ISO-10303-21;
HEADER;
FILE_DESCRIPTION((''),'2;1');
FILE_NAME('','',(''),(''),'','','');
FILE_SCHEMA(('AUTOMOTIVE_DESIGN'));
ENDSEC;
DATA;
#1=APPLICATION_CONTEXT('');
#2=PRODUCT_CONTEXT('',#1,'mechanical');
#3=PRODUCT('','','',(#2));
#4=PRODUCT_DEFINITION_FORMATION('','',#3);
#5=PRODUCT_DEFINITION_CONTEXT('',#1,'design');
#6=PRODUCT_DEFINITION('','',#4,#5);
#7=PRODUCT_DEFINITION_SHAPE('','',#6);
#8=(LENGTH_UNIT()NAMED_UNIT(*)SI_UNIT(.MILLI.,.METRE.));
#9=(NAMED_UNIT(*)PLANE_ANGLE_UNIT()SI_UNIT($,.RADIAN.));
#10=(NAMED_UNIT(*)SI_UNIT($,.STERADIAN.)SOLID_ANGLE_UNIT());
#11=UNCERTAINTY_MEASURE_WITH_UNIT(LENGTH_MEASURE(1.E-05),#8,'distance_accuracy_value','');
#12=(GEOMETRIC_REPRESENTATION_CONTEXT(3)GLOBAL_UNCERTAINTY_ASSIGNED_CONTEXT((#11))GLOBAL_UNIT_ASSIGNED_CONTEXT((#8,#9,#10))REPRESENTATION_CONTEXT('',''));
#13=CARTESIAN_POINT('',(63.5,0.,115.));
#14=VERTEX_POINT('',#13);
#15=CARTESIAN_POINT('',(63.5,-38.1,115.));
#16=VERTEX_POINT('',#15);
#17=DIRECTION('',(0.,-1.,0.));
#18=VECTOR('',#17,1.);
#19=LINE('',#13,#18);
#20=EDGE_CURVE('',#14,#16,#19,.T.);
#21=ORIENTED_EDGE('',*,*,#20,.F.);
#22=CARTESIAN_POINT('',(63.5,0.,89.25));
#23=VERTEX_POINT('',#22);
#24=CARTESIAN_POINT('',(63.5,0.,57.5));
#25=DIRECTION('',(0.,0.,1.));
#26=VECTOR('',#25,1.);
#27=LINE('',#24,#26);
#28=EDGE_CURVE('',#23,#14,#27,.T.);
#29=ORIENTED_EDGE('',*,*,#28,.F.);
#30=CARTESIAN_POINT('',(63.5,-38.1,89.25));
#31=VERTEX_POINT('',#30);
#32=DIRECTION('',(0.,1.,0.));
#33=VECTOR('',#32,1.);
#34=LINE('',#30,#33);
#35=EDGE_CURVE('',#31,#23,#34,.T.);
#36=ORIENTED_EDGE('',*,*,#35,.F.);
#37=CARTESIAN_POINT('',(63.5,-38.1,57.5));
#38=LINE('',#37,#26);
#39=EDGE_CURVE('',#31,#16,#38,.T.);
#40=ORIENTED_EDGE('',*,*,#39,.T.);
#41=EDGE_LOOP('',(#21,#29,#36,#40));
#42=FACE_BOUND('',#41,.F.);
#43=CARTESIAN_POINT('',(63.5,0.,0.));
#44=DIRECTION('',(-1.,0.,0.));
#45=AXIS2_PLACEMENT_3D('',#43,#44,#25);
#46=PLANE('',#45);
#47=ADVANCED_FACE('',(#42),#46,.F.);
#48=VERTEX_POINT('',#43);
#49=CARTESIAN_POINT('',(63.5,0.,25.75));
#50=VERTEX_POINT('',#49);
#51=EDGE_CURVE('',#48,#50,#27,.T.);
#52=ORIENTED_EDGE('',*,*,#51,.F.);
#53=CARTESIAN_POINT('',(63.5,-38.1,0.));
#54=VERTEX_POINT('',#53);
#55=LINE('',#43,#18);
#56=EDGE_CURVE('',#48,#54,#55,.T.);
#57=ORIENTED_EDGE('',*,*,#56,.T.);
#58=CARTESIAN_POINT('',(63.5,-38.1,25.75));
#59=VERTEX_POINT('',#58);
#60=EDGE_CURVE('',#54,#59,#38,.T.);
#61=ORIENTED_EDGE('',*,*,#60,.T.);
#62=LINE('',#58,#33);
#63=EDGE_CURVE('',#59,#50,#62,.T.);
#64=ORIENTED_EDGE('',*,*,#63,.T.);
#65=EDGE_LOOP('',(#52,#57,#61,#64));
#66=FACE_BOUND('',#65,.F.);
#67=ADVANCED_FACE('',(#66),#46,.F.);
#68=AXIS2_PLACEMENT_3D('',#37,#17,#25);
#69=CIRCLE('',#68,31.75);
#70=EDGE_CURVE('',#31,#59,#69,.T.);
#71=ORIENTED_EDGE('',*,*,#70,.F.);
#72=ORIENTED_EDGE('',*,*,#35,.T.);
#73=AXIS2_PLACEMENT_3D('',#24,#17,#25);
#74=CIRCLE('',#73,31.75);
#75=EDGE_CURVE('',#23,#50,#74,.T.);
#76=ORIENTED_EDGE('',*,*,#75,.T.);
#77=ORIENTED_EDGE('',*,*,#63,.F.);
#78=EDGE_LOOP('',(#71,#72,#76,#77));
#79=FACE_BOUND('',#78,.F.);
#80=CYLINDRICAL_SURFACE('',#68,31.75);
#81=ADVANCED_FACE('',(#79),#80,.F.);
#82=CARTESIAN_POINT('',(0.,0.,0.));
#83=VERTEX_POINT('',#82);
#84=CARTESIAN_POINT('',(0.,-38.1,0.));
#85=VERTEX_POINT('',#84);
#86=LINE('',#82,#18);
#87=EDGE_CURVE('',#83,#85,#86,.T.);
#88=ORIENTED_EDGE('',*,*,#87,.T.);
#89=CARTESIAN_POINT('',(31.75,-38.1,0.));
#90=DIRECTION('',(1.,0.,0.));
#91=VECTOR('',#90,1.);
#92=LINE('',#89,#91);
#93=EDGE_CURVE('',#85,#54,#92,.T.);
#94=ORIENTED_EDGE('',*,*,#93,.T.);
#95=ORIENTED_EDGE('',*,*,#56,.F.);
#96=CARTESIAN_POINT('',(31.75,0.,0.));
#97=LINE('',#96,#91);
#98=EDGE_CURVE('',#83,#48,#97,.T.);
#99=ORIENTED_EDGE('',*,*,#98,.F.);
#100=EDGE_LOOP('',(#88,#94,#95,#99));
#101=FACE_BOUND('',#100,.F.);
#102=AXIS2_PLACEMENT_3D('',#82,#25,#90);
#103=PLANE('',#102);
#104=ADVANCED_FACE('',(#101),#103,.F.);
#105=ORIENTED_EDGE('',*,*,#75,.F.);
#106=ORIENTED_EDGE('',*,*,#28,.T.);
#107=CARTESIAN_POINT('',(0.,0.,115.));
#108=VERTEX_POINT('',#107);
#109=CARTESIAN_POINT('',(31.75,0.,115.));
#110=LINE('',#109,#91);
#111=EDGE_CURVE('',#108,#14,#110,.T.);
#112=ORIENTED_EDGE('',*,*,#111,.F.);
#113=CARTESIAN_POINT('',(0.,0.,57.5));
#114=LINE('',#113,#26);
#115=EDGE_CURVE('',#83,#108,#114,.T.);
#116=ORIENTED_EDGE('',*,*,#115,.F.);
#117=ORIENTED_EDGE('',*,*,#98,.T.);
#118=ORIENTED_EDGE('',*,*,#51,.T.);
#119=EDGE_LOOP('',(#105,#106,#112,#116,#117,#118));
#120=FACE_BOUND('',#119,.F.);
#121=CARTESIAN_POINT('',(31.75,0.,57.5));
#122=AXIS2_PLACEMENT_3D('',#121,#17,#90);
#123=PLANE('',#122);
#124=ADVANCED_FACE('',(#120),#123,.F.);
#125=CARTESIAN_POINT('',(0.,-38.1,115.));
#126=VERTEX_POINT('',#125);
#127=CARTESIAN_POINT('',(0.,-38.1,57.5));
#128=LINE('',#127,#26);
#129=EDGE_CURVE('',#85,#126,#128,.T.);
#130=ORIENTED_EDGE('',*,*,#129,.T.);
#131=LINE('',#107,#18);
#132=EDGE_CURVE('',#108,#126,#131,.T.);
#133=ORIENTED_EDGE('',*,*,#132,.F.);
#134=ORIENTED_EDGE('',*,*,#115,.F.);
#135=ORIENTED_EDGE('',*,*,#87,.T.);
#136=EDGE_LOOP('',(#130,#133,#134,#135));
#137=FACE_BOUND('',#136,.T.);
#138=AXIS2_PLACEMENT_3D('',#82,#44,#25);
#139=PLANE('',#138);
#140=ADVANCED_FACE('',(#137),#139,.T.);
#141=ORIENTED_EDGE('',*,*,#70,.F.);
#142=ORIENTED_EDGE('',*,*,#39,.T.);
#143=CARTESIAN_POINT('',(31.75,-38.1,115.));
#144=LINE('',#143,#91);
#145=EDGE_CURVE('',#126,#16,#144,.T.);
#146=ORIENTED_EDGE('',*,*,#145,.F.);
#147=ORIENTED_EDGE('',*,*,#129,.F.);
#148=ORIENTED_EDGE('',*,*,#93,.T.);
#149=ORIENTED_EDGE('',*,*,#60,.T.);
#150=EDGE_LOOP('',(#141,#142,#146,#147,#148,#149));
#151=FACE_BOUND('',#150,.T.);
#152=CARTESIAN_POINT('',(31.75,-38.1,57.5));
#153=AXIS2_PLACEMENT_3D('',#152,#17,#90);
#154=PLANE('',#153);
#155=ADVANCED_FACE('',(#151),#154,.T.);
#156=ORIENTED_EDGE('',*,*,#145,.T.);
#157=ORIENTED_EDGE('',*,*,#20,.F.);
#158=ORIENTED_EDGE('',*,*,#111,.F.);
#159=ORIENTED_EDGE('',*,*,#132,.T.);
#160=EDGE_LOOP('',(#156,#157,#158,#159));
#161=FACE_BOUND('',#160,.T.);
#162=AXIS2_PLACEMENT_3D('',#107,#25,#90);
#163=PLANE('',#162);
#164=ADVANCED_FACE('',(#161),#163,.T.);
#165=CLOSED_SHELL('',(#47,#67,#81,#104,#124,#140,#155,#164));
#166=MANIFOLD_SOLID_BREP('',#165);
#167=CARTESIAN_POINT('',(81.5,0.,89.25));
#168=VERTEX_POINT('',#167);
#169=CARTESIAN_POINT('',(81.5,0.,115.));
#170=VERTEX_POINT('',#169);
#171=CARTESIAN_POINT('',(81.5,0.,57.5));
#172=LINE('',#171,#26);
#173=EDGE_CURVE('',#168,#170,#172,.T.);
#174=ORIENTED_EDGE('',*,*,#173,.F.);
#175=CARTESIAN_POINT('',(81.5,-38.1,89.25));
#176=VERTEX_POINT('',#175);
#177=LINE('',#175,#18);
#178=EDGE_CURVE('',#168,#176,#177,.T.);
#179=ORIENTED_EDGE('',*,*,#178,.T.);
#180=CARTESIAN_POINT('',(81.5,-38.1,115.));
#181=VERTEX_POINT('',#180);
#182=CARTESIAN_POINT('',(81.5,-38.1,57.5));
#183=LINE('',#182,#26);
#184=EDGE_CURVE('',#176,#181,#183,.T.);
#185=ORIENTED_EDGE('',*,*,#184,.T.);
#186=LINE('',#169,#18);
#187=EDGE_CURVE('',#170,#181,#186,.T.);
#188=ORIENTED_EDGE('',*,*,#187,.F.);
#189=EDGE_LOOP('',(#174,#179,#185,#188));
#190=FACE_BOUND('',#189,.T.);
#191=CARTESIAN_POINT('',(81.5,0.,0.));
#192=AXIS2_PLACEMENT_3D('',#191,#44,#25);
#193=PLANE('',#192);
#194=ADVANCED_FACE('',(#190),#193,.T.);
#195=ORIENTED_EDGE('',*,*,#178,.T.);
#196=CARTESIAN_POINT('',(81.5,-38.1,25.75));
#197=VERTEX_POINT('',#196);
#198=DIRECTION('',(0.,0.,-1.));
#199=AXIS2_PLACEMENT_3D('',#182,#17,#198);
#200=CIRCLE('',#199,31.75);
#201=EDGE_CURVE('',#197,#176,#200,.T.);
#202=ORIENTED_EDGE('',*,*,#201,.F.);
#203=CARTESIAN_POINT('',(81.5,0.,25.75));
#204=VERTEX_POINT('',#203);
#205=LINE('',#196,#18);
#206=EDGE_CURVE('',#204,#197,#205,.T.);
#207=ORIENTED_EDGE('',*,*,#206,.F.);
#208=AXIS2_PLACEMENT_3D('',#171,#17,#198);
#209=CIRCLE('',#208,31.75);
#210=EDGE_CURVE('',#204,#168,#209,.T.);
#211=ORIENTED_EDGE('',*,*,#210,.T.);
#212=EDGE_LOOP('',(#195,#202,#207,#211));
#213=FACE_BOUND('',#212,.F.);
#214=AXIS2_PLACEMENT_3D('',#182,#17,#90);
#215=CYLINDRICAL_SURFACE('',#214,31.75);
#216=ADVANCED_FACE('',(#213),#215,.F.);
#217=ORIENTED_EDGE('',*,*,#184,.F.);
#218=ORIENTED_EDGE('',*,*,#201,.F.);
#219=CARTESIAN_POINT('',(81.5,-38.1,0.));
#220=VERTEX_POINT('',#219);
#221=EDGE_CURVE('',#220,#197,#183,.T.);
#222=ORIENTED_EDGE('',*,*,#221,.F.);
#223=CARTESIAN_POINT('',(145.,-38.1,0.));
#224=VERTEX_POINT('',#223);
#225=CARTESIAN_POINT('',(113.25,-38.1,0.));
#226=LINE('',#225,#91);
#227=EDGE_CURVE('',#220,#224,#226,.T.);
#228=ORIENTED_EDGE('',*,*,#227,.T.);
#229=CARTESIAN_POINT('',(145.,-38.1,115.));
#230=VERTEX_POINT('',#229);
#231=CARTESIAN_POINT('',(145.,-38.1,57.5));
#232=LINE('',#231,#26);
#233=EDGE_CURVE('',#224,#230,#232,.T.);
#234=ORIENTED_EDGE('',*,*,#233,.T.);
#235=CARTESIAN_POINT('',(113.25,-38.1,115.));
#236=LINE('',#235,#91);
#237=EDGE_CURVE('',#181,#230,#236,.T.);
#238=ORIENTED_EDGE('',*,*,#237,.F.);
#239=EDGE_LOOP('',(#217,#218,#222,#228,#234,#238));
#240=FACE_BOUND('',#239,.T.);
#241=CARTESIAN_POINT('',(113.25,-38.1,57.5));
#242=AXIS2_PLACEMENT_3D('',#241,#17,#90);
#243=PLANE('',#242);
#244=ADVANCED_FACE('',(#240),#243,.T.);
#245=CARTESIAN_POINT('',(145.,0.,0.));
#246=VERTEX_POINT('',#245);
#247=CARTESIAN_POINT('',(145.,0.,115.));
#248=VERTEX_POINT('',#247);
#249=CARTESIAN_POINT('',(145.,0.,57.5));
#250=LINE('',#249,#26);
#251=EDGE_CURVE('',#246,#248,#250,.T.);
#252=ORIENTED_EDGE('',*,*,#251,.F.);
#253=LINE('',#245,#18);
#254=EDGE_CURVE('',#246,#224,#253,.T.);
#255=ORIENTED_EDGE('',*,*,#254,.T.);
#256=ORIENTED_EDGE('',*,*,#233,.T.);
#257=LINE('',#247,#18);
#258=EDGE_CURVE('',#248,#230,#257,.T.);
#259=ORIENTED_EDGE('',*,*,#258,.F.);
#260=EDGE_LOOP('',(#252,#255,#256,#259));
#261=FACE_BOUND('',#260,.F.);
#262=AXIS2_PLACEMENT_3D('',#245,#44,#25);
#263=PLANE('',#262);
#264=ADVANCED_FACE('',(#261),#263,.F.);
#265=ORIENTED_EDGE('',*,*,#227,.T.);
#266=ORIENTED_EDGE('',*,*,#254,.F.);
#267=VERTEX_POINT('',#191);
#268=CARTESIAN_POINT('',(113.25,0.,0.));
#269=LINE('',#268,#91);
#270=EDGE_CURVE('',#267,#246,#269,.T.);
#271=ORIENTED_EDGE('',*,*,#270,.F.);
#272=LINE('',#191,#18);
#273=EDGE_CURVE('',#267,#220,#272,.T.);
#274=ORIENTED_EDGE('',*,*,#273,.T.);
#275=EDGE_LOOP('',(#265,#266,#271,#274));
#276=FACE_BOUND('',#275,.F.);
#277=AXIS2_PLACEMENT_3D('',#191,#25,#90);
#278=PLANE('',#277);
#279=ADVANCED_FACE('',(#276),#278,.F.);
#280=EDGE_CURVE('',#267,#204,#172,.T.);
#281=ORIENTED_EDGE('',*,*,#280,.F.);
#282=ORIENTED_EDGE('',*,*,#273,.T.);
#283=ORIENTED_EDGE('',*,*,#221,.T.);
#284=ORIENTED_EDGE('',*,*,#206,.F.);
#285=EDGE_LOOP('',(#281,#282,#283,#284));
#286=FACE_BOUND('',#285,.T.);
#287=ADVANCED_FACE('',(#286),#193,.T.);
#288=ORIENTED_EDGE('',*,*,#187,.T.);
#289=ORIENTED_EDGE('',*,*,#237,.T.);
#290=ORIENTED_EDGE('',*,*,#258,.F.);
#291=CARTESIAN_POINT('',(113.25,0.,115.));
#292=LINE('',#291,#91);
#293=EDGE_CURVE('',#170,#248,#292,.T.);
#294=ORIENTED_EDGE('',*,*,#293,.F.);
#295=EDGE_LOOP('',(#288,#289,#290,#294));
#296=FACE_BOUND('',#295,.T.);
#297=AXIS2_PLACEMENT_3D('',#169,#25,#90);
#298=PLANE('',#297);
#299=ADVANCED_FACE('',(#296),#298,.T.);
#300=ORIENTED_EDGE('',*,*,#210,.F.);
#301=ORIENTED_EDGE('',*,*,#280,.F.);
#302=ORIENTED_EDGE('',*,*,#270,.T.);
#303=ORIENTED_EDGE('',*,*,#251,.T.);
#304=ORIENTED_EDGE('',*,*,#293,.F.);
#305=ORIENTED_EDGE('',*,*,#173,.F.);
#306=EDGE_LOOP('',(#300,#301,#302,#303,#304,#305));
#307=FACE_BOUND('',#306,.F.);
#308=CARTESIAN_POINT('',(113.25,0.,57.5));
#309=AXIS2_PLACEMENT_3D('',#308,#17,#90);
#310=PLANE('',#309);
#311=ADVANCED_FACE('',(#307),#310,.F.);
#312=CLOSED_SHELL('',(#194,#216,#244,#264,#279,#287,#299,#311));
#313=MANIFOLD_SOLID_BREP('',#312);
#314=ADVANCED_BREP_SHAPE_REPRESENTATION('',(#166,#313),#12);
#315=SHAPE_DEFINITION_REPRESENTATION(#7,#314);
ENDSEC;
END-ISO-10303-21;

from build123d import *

# Parameters (mm, degrees)
F0_W     = 63.5
F0_H     = 115
F1_DEPTH = 38.1
F3_DEPTH = 76.2
F4_R     = 31.75
F5_DEPTH = 76.2


with BuildPart() as f1:
    # F0 (on Front) → F1 (new body)
    with BuildSketch(Plane.XZ):
        with Locations((31.75, 57.5)):
            Rectangle(F0_W, F0_H)
    extrude(amount=F1_DEPTH)

    # F2 (on face) → F3 (cut)
    with BuildSketch(Plane.XZ.offset(38.1)):
        with BuildLine():
            Line((63.5, 25.75), (63.5, 89.25))
            ThreePointArc((63.5, 89.25), (31.75, 57.5), (63.5, 25.75))
        make_face()
    extrude(amount=-F3_DEPTH, mode=Mode.SUBTRACT)


with BuildPart() as f1b:
    # F0 (on Front) → F1, piece 2 (new body)
    with BuildSketch(Plane.XZ):
        with Locations((113.25, 57.5)):
            Rectangle(F0_W, F0_H)
    extrude(amount=F1_DEPTH)

    # F4 (on face) → F5 (cut)
    with BuildSketch(Plane.XZ.offset(38.1)):
        with Locations((81.5, 57.5)):
            Circle(F4_R)
    extrude(amount=-F5_DEPTH, mode=Mode.SUBTRACT)


solid = Compound([f1.part, f1b.part])
